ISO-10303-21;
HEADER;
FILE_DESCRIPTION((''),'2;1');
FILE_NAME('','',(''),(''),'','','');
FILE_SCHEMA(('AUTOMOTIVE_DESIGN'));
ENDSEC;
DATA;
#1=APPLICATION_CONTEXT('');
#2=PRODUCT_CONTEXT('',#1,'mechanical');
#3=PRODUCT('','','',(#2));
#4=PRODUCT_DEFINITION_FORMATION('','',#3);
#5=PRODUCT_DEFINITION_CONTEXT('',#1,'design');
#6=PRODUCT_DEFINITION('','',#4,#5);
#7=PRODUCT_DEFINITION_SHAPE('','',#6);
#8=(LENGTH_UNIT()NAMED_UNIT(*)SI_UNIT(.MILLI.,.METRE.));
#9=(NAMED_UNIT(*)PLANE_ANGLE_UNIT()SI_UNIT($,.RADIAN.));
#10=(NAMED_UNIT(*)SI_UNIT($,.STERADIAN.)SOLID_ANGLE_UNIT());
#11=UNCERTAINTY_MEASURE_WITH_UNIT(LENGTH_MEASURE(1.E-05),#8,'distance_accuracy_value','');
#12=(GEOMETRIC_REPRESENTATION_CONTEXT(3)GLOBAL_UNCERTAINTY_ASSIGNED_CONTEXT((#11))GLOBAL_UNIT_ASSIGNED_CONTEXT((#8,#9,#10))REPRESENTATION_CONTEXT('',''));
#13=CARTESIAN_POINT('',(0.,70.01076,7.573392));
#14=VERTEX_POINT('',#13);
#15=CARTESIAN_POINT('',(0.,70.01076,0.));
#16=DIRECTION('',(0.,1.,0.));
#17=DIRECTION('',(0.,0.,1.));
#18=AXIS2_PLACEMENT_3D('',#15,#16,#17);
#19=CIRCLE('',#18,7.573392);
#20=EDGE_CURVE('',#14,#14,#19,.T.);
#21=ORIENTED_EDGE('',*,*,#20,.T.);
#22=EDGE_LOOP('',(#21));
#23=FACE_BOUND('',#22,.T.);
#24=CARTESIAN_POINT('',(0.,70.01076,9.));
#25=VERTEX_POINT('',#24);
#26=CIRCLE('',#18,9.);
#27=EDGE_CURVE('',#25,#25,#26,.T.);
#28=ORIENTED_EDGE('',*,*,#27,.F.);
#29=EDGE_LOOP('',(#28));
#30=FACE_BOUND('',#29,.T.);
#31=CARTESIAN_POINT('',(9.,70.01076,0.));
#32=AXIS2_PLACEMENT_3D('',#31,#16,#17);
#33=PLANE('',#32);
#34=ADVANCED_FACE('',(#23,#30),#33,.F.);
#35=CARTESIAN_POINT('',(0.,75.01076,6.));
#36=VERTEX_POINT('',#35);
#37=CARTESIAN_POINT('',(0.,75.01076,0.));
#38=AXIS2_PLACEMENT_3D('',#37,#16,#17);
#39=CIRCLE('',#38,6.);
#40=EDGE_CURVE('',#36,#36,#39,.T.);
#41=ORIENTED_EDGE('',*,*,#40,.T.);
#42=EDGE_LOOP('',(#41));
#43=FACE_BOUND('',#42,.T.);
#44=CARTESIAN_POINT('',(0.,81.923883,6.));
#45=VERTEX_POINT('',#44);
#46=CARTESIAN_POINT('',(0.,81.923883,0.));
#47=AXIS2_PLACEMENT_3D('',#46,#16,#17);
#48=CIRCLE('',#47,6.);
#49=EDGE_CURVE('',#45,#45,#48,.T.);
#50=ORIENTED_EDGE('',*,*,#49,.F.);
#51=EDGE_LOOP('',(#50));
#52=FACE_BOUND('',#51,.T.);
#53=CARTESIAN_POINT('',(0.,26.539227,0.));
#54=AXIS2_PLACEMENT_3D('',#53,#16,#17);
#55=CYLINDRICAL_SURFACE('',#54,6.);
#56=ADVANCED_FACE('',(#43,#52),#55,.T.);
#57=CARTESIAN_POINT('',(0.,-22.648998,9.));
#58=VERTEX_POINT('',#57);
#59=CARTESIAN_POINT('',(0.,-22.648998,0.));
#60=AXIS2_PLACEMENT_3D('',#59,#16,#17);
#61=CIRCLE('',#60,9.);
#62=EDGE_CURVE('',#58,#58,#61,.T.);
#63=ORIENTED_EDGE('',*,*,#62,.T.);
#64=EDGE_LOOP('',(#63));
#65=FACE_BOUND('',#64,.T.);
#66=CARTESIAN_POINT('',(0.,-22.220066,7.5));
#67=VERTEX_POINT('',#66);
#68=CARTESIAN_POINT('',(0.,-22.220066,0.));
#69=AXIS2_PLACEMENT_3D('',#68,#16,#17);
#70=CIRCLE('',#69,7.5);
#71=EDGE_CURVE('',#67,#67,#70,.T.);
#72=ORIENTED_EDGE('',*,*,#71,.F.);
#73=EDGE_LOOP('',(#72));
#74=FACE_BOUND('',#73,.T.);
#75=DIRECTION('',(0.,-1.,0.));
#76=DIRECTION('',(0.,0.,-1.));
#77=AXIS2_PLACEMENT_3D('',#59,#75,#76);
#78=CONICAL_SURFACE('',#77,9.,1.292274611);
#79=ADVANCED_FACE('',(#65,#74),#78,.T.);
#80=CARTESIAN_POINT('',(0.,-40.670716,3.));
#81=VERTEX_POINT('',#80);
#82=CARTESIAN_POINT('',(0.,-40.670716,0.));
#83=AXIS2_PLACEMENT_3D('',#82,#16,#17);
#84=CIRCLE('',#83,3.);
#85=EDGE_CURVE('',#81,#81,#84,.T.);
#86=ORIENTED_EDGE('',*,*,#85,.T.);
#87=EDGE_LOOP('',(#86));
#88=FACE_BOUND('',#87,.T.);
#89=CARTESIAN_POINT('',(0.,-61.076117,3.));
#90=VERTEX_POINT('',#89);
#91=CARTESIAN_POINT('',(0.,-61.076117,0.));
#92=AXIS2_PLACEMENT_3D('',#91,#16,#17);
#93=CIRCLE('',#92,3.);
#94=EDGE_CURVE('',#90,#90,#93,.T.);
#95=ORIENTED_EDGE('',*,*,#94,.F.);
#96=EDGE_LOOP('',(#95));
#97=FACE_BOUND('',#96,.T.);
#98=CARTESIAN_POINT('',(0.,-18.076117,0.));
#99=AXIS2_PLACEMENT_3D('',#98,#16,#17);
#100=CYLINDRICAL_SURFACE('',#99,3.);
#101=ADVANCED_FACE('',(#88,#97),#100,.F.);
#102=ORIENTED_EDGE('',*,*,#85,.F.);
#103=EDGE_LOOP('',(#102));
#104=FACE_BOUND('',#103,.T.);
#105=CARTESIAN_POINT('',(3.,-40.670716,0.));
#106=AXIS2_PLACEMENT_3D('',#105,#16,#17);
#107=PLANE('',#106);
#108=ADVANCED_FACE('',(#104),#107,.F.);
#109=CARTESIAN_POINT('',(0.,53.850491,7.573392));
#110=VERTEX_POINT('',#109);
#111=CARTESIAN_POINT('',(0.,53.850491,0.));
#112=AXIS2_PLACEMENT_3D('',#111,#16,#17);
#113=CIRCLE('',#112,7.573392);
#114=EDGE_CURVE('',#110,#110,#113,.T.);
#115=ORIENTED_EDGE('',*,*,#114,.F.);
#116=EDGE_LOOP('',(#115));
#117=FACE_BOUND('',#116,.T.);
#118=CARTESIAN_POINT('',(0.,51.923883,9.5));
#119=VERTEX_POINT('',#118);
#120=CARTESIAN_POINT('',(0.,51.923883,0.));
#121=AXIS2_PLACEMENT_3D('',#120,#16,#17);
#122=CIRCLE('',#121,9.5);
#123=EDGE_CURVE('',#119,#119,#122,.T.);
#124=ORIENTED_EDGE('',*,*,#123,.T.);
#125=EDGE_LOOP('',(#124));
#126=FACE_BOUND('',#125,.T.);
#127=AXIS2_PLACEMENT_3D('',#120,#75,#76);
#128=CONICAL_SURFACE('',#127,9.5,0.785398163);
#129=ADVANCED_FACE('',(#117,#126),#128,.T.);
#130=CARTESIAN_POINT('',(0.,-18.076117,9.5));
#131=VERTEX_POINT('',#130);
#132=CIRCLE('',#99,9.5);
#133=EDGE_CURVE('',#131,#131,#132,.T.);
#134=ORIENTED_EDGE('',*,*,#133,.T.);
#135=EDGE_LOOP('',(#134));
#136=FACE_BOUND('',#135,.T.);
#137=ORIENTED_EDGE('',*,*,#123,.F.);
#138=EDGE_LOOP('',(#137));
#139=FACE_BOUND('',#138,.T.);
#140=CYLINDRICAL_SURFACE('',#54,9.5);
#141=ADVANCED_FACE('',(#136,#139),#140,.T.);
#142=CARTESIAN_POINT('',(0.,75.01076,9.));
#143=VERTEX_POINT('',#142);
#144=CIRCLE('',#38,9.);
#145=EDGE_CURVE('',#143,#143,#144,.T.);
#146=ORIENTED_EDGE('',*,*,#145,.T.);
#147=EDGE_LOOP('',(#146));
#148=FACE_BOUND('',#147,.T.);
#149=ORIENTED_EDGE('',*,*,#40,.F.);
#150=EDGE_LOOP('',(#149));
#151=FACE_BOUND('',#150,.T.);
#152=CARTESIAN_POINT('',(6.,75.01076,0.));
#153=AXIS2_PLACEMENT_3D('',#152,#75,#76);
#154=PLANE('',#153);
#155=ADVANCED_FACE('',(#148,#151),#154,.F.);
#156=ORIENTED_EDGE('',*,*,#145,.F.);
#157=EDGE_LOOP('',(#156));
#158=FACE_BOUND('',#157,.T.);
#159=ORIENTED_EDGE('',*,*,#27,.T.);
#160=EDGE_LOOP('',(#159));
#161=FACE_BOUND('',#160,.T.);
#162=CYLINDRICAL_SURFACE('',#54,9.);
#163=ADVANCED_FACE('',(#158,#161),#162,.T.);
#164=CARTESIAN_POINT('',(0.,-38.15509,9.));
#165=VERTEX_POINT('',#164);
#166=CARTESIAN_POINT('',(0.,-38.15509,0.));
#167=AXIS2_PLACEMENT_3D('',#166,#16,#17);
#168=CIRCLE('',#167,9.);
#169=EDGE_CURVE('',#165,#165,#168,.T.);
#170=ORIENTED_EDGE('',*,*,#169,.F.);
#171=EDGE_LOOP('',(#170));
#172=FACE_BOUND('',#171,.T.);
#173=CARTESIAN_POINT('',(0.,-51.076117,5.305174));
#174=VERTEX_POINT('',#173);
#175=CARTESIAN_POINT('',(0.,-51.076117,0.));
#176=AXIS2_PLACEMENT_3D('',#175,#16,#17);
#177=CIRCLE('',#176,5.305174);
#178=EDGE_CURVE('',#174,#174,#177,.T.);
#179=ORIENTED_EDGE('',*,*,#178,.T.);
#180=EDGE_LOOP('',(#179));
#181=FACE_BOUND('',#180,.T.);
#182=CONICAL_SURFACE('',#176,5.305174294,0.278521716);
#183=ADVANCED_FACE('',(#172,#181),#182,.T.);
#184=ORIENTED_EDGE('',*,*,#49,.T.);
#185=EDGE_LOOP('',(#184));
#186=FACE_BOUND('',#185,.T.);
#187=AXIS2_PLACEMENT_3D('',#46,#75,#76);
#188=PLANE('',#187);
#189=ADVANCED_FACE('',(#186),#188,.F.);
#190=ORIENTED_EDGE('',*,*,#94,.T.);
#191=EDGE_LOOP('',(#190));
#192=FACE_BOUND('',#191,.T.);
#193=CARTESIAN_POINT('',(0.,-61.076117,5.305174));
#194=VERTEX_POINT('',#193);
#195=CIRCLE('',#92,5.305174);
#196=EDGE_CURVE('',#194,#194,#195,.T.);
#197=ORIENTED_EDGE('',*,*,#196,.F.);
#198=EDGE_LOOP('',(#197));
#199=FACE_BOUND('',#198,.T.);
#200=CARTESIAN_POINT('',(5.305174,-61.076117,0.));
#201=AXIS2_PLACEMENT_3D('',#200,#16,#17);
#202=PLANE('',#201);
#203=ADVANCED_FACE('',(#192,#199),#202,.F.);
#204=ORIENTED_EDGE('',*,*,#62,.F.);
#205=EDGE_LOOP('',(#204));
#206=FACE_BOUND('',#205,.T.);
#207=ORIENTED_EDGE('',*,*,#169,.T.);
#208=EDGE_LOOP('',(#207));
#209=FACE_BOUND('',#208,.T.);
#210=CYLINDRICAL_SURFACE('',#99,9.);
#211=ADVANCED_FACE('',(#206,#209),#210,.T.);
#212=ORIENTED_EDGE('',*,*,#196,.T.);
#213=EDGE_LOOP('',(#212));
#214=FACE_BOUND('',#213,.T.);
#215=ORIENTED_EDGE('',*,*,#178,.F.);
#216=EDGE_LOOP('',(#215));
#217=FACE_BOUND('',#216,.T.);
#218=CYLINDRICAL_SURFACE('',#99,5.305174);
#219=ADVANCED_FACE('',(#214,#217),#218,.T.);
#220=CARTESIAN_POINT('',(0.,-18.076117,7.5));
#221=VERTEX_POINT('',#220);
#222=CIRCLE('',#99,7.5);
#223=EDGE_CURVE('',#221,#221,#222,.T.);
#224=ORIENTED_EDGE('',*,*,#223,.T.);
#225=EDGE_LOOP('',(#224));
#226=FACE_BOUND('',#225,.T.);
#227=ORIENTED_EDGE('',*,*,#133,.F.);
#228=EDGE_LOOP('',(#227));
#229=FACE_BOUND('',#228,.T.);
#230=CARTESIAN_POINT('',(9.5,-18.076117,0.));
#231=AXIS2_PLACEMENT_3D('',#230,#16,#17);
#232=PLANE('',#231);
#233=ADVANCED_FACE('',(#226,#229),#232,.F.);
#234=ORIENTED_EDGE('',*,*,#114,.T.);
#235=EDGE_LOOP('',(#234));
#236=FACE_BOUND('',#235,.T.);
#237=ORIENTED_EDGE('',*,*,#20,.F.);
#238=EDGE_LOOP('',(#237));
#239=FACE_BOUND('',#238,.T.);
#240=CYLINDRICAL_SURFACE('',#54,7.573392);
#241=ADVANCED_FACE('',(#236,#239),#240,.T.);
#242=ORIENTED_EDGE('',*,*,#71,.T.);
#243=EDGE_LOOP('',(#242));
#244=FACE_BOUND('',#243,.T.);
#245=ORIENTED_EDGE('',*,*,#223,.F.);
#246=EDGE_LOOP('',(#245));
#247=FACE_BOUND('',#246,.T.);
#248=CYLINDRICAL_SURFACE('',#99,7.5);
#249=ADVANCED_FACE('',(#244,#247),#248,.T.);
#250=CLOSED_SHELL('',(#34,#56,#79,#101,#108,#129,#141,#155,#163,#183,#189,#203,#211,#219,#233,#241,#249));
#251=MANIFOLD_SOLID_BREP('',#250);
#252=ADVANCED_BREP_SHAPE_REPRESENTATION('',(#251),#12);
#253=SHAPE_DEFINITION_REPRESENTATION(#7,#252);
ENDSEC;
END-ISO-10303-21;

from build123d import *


with BuildPart() as part:
    # 草图1 → 旋转1 (revolve)
    with BuildSketch(Plane.XY, mode=Mode.PRIVATE) as revolve_1_sk:
        Polygon((0, 81.923883013), (6, 81.923883013), (6, 75.010759902), (9, 75.010759902), (9, 70.010759902), (7.57339192, 70.010759902), (7.57339192, 53.850491093), (9.5, 51.923883013), (9.5, -18.076116987), (0, -18.076116987), align=None)
    revolve(revolve_1_sk.sketch.rotate(Axis((0, 26.539226881, 0), (0, -1, 0)), 90), axis=Axis((0, 26.539226881, 0), (0, -1, 0)))

    # 草图2 → 旋转2 (revolve)
    with BuildSketch(Plane.XY, mode=Mode.PRIVATE) as revolve_2_sk:
        Polygon((7.5, -18.076116987), (7.5, -22.220066431), (9, -22.648998158), (9, -38.155089675), (5.305174294, -51.076116987), (5.305174294, -61.076116987), (3, -61.076116987), (3, -40.670715688), (0, -40.670715688), (0, -18.076116987), align=None)
    revolve(revolve_2_sk.sketch.rotate(Axis((0, -18.076116987, 0), (0, -1, 0)), 90), axis=Axis((0, -18.076116987, 0), (0, -1, 0)))


solid = part.part
